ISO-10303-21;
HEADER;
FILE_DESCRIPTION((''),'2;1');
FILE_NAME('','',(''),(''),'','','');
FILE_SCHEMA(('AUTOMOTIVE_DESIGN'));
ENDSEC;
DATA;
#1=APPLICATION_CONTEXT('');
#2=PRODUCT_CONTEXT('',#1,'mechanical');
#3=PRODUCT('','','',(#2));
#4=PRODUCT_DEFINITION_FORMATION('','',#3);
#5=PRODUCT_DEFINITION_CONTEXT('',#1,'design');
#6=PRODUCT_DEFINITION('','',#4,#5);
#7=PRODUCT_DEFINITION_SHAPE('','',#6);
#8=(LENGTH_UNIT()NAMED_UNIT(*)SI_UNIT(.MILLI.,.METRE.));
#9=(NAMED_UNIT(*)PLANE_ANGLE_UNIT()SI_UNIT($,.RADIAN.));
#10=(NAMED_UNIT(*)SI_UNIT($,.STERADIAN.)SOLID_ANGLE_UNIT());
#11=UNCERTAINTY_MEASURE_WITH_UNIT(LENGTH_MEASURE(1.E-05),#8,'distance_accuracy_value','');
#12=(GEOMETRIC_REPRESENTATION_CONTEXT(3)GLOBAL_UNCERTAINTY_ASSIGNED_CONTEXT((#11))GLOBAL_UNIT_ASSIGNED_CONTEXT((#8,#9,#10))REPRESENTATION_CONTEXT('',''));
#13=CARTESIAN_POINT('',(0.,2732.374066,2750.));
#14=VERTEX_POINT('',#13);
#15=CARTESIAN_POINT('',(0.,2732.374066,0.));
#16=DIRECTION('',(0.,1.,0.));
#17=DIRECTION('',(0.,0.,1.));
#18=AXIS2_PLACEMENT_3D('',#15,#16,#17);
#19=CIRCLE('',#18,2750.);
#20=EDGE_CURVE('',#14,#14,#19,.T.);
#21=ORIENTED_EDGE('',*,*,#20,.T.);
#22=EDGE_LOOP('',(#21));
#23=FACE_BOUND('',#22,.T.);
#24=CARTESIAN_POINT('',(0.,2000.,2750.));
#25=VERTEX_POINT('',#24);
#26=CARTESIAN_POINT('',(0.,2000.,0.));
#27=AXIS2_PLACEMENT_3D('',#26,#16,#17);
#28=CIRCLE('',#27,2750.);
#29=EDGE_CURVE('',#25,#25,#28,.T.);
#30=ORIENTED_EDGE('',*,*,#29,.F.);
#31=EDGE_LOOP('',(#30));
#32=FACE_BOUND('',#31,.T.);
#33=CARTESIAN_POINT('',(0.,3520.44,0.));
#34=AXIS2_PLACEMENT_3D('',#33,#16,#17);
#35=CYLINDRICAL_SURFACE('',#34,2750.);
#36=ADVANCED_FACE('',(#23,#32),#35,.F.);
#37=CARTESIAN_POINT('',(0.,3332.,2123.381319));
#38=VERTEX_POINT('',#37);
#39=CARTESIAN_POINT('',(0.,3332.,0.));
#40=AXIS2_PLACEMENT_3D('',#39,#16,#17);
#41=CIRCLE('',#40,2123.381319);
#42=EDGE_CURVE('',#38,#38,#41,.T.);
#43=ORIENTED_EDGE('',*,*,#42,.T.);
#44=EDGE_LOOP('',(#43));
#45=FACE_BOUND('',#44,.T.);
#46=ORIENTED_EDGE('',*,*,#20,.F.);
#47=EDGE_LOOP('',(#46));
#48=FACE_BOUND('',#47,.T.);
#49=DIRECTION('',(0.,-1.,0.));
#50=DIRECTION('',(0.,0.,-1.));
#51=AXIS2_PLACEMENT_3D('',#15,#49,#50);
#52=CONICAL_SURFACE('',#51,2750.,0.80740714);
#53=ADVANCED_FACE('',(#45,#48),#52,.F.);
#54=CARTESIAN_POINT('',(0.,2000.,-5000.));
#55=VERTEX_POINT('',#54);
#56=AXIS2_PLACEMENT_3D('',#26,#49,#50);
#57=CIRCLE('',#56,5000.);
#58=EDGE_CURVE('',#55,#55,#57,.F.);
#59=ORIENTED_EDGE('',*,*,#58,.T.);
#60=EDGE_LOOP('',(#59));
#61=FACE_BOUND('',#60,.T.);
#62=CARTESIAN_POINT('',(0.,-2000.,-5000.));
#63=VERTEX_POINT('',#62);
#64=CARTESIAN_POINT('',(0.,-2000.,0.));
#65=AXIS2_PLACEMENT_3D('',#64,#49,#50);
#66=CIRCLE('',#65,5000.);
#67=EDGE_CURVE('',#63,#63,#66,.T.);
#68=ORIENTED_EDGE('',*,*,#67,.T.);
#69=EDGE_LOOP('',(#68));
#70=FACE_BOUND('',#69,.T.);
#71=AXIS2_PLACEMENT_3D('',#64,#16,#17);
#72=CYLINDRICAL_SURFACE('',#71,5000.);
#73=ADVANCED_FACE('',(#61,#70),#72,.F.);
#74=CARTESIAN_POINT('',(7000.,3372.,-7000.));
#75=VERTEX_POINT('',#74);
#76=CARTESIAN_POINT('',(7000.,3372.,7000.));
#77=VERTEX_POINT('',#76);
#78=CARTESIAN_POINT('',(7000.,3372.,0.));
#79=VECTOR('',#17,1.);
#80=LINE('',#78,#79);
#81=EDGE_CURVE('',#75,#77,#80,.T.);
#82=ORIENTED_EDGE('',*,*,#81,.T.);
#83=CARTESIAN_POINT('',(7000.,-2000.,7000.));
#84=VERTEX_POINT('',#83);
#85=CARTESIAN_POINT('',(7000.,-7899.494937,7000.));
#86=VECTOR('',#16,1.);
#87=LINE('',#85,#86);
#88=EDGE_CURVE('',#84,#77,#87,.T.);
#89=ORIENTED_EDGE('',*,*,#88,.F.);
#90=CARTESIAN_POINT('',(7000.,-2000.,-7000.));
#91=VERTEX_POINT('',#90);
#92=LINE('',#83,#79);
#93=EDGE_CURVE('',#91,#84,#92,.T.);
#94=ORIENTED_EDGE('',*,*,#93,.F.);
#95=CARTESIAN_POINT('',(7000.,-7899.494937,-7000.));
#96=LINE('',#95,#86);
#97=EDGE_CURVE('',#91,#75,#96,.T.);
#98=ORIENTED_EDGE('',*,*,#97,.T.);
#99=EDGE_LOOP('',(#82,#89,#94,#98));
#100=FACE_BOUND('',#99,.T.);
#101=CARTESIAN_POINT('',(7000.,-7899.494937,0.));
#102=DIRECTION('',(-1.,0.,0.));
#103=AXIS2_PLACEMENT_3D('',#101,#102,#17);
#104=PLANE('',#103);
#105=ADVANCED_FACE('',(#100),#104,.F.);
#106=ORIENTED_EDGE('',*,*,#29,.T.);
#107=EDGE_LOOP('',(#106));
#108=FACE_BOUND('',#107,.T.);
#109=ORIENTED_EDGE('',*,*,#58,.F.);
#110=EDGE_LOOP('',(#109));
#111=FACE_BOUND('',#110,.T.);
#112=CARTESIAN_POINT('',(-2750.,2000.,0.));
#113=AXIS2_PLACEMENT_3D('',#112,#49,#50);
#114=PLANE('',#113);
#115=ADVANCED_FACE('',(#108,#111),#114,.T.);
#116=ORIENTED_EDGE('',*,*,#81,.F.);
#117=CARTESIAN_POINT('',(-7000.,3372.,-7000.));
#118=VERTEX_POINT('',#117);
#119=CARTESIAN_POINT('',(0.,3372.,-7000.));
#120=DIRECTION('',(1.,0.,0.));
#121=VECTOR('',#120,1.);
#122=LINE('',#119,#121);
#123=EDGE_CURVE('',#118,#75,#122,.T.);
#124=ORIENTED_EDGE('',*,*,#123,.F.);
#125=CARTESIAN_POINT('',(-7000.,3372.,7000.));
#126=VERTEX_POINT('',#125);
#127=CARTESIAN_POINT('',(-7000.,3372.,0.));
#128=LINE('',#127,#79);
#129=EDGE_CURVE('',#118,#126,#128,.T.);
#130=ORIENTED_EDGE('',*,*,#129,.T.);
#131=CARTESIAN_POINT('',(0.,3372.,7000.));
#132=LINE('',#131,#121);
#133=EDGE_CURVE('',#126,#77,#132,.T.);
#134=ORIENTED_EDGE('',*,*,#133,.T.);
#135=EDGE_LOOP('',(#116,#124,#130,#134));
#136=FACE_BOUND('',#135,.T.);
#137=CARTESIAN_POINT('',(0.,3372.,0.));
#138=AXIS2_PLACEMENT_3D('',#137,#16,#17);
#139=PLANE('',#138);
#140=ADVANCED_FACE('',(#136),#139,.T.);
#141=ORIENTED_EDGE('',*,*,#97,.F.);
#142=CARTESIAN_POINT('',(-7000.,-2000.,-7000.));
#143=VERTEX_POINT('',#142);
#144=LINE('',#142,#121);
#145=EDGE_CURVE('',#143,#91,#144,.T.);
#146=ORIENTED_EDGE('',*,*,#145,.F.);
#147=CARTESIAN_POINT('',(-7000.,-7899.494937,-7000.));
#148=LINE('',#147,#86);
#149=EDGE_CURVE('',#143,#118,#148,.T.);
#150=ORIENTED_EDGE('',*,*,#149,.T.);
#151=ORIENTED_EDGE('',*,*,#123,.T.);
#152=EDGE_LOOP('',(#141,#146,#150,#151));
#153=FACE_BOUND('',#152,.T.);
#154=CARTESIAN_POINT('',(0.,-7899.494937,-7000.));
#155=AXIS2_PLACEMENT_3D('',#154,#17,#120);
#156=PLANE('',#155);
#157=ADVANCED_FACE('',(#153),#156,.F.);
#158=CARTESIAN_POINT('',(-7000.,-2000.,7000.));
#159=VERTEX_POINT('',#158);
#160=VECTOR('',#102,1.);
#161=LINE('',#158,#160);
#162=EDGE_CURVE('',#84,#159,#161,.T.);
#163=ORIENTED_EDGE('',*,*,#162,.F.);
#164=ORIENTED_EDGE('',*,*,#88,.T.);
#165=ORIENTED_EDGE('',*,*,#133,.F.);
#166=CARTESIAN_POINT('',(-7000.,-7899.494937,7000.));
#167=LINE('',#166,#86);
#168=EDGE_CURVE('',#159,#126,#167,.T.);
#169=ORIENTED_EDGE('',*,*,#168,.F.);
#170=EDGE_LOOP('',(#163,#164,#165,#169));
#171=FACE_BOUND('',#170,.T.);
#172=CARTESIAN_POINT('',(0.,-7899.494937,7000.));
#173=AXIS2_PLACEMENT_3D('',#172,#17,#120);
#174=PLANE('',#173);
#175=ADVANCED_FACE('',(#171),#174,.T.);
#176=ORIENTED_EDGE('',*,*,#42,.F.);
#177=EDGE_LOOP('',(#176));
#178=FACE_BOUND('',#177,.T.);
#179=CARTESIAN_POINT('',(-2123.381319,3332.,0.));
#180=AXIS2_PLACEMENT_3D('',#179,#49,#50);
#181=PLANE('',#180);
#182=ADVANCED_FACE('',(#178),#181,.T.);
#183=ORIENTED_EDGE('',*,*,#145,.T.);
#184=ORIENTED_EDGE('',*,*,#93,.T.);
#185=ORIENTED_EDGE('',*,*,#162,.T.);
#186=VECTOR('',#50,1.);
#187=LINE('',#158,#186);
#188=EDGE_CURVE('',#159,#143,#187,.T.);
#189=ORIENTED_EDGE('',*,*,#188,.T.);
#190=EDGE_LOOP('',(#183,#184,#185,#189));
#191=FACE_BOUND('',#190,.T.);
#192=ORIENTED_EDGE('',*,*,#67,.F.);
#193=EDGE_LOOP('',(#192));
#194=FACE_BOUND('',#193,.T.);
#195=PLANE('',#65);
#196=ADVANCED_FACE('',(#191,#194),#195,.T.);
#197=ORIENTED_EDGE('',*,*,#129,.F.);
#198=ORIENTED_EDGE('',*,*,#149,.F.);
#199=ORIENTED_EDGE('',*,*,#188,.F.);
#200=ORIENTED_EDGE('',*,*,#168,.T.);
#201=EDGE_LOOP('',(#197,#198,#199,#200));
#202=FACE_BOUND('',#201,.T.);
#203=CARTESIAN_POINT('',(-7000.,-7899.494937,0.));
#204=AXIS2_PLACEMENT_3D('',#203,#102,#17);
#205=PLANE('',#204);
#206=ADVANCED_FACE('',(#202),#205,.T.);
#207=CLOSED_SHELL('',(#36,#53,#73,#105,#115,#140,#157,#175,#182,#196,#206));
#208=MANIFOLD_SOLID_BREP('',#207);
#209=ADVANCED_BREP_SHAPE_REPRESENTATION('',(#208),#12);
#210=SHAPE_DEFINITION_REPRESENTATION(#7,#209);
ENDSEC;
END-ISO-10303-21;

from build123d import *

# Parameters (mm, degrees)
BOSS_EXTRUDE1_DEPTH = 1372
SKETCH4_W           = 14000
SKETCH4_H           = 14000
SKETCH4_R           = 5000
BOSS_EXTRUDE2_DEPTH = 4000


with BuildPart() as part:
    # Sketch2 → Revolve2 (revolve)
    with BuildSketch(Plane.XY):
        Polygon((-2750, 2000), (-7000, 2000), (-7000, 3372), (0, 3372), (0, 3332), (-2123.381318695, 3332), (-2750, 2732.374065947), align=None)
    revolve(axis=Axis((0, 3520.44, 0), (0, -1, 0)))

    # Sketch3 → Boss-Extrude1 (add)
    with BuildSketch(Plane(origin=(0, 3372, 0), x_dir=(1, 0, 0), z_dir=(0, 1, 0))):
        with BuildLine():
            ThreePointArc((7.996e-06, -7000), (-4949.747456115, -4949.747480497), (-7000, -2.6486e-05))
            Line((-7000, -2.6486e-05), (-7000, -7000))
            Line((-7000, -7000), (7.996e-06, -7000))
        make_face()
        with BuildLine():
            Line((-2.0497e-05, 7000), (-7000, 7000))
            Line((-7000, 7000), (-7000, -2.6486e-05))
            ThreePointArc((-7000, -2.6486e-05), (-4949.747484916, 4949.747451695), (-2.0497e-05, 7000))
        make_face()
        with BuildLine():
            Line((7000, 7000), (-2.0497e-05, 7000))
            ThreePointArc((-2.0497e-05, 7000), (4949.747461059, 4949.747475552), (7000, 0))
            Line((7000, 0), (7000, 7000))
        make_face()
        with BuildLine():
            Line((7000, -7000), (7000, 0))
            ThreePointArc((7000, 0), (4949.747471133, -4949.747465479), (7.996e-06, -7000))
            Line((7.996e-06, -7000), (7000, -7000))
        make_face()
    extrude(amount=-BOSS_EXTRUDE1_DEPTH)

    # Sketch4 → Boss-Extrude2 (add)
    with BuildSketch(Plane.XZ.offset(-2000)):
        Rectangle(SKETCH4_W, SKETCH4_H)
        Circle(SKETCH4_R, mode=Mode.SUBTRACT)
    extrude(amount=BOSS_EXTRUDE2_DEPTH)


solid = part.part
